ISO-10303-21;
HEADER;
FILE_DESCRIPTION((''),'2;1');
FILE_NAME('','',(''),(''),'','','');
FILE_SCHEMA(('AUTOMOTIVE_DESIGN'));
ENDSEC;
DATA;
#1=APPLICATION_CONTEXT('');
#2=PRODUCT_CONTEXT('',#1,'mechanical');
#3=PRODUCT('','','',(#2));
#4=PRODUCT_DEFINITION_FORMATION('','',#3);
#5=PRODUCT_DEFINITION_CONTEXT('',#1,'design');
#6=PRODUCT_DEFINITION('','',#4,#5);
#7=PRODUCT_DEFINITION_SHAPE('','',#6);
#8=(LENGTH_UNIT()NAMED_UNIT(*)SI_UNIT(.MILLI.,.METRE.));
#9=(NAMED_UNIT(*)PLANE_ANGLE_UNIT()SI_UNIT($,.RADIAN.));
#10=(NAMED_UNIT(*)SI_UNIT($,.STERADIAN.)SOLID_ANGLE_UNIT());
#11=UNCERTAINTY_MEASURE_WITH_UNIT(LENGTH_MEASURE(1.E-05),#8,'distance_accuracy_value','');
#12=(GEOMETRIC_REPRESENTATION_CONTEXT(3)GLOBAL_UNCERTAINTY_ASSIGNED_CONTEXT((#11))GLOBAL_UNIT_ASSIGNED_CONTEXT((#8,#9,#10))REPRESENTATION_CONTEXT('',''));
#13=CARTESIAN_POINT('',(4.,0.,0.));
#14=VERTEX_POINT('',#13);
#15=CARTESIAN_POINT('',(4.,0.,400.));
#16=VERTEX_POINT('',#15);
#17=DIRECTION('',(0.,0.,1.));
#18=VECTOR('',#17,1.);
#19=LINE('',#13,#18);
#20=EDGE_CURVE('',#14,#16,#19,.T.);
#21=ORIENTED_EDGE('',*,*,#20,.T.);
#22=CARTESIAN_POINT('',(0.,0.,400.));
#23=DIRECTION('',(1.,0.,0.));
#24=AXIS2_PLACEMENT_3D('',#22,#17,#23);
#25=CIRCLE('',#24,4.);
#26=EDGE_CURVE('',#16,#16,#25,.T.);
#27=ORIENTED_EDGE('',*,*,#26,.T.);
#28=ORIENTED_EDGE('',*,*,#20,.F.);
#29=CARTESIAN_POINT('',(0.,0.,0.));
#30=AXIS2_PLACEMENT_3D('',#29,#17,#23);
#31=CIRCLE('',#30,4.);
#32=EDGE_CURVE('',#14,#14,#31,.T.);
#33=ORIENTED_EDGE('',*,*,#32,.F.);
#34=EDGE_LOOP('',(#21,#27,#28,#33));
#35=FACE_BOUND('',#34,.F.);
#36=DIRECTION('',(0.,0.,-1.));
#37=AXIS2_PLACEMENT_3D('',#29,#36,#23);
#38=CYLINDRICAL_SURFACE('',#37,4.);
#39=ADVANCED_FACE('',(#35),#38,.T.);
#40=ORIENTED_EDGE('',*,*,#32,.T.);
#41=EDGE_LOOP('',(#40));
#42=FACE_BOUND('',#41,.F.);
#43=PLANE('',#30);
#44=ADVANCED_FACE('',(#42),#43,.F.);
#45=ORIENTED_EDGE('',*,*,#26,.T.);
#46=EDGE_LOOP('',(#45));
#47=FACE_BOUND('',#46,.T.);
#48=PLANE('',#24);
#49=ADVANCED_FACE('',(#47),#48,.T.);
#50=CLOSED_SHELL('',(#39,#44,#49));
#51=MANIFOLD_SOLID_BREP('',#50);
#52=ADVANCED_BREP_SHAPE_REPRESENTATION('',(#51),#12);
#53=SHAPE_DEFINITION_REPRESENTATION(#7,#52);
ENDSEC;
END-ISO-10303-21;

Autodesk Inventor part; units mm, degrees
ref_plane "YZ Plane" through (0, 0, 0) normal (1, 0, 0) x (0, 1, 0)
ref_plane "XZ Plane" through (0, 0, 0) normal (0, 1, 0) x (-1, 0, 0)
ref_plane "XY Plane" through (0, 0, 0) normal (0, 0, 1) x (1, 0, 0)
sketch "Boceto1" plane through (0, 0, 0) normal (0, 0, 1) x (1, 0, 0)
  circle A0 centre (0, 0) radius 4
  dimension "d0" = 8
extrude "Extrusión1" add sketch "Boceto1" along normal blind 400
properties part number "019" material "Steel"
